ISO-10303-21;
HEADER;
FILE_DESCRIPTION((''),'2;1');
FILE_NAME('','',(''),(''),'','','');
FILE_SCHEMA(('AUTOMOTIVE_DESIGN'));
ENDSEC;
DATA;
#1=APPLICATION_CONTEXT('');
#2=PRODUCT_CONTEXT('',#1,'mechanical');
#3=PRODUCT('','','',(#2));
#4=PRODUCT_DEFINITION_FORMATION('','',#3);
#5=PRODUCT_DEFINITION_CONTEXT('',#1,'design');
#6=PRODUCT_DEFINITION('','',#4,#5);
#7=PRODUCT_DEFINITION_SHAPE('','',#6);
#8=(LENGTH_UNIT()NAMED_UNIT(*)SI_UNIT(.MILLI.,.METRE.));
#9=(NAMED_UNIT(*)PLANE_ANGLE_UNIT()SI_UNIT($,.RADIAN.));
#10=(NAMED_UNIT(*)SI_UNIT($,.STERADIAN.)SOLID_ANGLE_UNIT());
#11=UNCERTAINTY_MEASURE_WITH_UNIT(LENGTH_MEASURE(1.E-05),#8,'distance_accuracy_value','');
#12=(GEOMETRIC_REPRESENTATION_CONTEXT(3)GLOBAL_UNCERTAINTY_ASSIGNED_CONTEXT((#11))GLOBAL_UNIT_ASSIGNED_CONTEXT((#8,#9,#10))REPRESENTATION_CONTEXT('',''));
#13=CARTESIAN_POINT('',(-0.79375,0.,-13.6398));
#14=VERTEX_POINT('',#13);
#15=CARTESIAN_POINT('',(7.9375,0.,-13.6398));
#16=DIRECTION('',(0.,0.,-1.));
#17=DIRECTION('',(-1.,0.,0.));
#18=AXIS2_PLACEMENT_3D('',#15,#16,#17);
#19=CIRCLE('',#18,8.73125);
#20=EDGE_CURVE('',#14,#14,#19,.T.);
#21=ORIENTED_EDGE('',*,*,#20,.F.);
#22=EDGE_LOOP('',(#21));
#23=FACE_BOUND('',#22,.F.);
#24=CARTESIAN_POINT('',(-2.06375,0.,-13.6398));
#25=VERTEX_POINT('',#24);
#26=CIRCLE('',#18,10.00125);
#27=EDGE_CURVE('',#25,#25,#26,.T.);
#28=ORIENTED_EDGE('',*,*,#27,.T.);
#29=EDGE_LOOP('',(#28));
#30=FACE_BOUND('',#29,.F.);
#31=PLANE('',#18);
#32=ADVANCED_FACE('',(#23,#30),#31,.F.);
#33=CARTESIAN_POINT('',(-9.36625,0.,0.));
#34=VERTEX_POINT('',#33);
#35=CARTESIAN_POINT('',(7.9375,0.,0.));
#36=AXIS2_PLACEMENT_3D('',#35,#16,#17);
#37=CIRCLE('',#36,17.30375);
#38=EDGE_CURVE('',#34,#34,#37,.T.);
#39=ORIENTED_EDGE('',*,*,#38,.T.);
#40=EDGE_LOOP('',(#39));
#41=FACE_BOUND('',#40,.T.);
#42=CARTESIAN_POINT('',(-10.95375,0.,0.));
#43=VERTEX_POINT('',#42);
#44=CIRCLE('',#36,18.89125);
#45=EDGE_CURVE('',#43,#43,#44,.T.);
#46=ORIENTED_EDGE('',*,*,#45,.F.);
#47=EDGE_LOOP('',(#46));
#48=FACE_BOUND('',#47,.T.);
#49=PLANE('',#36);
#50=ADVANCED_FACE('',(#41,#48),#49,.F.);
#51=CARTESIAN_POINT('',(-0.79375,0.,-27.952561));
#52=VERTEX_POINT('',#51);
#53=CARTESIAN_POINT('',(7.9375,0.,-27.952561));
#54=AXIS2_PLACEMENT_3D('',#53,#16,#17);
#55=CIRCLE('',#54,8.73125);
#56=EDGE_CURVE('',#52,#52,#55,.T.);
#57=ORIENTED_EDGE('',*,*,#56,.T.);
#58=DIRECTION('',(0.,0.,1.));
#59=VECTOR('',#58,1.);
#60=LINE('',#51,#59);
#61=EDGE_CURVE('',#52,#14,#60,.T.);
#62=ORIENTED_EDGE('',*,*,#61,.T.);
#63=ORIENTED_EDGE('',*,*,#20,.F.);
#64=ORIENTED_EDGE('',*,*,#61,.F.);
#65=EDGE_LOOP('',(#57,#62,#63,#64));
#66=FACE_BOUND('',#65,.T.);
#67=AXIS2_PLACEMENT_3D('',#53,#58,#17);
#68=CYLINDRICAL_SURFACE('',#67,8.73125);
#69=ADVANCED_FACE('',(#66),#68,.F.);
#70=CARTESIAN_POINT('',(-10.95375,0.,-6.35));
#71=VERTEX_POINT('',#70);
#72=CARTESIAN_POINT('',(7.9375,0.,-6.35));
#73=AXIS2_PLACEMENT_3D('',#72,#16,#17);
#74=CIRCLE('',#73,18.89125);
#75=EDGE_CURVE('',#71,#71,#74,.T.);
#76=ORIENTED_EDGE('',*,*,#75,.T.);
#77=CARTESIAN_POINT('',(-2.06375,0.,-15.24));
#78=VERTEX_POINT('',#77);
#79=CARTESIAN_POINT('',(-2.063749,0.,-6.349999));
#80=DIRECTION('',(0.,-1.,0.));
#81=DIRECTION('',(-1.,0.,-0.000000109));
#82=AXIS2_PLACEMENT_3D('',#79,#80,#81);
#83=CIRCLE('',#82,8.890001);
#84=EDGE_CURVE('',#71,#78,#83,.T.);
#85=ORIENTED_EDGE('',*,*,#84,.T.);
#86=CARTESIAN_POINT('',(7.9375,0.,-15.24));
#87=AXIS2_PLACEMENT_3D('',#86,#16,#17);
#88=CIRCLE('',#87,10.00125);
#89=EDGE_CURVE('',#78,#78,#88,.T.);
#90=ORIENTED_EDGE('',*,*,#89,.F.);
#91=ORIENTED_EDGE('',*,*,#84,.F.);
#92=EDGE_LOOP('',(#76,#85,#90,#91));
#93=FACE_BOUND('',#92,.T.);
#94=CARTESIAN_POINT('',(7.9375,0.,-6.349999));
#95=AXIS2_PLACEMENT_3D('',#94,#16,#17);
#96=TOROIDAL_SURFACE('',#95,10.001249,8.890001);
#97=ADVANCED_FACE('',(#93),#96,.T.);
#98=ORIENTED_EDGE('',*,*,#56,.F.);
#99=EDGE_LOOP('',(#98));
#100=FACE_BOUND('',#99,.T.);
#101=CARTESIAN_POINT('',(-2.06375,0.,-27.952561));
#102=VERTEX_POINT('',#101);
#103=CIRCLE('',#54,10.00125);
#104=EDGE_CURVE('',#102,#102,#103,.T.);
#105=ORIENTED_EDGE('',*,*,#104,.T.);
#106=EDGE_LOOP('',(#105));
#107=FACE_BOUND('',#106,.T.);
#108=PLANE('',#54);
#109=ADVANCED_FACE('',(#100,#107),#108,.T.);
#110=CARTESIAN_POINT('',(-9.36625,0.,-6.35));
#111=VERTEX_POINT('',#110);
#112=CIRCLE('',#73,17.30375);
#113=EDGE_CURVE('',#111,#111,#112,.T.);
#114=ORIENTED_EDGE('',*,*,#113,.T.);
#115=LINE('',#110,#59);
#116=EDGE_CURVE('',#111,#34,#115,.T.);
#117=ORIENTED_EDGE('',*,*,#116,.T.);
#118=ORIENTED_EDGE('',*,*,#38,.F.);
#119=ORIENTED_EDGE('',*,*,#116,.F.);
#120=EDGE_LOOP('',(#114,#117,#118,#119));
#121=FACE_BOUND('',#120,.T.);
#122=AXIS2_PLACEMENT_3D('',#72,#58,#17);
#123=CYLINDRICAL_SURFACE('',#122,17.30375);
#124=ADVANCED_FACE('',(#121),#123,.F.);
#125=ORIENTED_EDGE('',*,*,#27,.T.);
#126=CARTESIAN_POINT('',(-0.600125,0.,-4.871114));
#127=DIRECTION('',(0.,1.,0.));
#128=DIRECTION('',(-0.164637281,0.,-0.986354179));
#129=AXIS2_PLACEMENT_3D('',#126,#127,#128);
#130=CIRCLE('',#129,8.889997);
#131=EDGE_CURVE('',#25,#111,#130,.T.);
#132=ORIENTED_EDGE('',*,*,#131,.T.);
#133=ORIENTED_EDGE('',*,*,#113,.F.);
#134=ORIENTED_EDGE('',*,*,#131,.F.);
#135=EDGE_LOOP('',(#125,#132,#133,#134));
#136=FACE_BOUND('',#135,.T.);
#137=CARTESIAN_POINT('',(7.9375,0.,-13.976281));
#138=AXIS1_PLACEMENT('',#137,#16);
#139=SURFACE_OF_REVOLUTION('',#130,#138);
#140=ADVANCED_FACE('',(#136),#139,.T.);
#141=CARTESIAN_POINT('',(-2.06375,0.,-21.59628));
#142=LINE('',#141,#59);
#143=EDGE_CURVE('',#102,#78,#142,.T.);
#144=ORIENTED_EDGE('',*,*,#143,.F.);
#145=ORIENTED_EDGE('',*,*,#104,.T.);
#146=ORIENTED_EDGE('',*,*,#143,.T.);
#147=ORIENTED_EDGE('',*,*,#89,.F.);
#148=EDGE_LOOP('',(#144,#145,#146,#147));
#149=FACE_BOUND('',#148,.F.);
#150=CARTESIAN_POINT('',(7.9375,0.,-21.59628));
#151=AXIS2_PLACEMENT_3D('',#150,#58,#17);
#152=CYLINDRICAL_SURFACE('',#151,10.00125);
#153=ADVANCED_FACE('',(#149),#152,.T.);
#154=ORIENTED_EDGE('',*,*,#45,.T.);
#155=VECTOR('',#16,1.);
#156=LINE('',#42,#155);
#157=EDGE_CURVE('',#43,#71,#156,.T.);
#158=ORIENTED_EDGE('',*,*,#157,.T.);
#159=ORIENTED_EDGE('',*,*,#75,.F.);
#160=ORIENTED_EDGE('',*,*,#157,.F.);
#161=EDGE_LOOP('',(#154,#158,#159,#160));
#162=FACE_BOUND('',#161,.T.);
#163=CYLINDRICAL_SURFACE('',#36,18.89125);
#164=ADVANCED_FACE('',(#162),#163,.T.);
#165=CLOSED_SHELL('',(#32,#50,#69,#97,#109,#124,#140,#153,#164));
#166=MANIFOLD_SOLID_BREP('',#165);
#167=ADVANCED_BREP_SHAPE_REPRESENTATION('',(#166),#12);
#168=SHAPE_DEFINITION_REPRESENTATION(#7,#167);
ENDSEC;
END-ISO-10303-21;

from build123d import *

# Parameters (mm, degrees)
F0_W   = 1.27
F0_H   = 1.6002
F0_H_2 = 12.712561


with BuildPart() as f1:
    # F0 (on Front) → F1 (revolve)
    with BuildSketch(Plane.XZ):
        with BuildLine():
            Line((-9.36625, 0), (-10.95375, 0))
            Line((-10.95375, 0), (-10.95375, -6.35))
            ThreePointArc((-10.95375, -6.35), (-8.349929, -12.636179), (-2.06375, -15.24))
            Line((-2.06375, -15.24), (-2.06375, -13.6398))
            ThreePointArc((-2.06375, -13.6398), (-6.880829, -11.16276), (-9.36625, -6.35))
            Line((-9.36625, -6.35), (-9.36625, 0))
        make_face()
        with Locations((-1.42875, -14.4399)):
            Rectangle(F0_W, F0_H)
        with Locations((-1.42875, -21.59628)):
            Rectangle(F0_W, F0_H_2)
    revolve(axis=Axis((7.9375, 0, -13.976281), (0, 0, -1)))


solid = f1.part
